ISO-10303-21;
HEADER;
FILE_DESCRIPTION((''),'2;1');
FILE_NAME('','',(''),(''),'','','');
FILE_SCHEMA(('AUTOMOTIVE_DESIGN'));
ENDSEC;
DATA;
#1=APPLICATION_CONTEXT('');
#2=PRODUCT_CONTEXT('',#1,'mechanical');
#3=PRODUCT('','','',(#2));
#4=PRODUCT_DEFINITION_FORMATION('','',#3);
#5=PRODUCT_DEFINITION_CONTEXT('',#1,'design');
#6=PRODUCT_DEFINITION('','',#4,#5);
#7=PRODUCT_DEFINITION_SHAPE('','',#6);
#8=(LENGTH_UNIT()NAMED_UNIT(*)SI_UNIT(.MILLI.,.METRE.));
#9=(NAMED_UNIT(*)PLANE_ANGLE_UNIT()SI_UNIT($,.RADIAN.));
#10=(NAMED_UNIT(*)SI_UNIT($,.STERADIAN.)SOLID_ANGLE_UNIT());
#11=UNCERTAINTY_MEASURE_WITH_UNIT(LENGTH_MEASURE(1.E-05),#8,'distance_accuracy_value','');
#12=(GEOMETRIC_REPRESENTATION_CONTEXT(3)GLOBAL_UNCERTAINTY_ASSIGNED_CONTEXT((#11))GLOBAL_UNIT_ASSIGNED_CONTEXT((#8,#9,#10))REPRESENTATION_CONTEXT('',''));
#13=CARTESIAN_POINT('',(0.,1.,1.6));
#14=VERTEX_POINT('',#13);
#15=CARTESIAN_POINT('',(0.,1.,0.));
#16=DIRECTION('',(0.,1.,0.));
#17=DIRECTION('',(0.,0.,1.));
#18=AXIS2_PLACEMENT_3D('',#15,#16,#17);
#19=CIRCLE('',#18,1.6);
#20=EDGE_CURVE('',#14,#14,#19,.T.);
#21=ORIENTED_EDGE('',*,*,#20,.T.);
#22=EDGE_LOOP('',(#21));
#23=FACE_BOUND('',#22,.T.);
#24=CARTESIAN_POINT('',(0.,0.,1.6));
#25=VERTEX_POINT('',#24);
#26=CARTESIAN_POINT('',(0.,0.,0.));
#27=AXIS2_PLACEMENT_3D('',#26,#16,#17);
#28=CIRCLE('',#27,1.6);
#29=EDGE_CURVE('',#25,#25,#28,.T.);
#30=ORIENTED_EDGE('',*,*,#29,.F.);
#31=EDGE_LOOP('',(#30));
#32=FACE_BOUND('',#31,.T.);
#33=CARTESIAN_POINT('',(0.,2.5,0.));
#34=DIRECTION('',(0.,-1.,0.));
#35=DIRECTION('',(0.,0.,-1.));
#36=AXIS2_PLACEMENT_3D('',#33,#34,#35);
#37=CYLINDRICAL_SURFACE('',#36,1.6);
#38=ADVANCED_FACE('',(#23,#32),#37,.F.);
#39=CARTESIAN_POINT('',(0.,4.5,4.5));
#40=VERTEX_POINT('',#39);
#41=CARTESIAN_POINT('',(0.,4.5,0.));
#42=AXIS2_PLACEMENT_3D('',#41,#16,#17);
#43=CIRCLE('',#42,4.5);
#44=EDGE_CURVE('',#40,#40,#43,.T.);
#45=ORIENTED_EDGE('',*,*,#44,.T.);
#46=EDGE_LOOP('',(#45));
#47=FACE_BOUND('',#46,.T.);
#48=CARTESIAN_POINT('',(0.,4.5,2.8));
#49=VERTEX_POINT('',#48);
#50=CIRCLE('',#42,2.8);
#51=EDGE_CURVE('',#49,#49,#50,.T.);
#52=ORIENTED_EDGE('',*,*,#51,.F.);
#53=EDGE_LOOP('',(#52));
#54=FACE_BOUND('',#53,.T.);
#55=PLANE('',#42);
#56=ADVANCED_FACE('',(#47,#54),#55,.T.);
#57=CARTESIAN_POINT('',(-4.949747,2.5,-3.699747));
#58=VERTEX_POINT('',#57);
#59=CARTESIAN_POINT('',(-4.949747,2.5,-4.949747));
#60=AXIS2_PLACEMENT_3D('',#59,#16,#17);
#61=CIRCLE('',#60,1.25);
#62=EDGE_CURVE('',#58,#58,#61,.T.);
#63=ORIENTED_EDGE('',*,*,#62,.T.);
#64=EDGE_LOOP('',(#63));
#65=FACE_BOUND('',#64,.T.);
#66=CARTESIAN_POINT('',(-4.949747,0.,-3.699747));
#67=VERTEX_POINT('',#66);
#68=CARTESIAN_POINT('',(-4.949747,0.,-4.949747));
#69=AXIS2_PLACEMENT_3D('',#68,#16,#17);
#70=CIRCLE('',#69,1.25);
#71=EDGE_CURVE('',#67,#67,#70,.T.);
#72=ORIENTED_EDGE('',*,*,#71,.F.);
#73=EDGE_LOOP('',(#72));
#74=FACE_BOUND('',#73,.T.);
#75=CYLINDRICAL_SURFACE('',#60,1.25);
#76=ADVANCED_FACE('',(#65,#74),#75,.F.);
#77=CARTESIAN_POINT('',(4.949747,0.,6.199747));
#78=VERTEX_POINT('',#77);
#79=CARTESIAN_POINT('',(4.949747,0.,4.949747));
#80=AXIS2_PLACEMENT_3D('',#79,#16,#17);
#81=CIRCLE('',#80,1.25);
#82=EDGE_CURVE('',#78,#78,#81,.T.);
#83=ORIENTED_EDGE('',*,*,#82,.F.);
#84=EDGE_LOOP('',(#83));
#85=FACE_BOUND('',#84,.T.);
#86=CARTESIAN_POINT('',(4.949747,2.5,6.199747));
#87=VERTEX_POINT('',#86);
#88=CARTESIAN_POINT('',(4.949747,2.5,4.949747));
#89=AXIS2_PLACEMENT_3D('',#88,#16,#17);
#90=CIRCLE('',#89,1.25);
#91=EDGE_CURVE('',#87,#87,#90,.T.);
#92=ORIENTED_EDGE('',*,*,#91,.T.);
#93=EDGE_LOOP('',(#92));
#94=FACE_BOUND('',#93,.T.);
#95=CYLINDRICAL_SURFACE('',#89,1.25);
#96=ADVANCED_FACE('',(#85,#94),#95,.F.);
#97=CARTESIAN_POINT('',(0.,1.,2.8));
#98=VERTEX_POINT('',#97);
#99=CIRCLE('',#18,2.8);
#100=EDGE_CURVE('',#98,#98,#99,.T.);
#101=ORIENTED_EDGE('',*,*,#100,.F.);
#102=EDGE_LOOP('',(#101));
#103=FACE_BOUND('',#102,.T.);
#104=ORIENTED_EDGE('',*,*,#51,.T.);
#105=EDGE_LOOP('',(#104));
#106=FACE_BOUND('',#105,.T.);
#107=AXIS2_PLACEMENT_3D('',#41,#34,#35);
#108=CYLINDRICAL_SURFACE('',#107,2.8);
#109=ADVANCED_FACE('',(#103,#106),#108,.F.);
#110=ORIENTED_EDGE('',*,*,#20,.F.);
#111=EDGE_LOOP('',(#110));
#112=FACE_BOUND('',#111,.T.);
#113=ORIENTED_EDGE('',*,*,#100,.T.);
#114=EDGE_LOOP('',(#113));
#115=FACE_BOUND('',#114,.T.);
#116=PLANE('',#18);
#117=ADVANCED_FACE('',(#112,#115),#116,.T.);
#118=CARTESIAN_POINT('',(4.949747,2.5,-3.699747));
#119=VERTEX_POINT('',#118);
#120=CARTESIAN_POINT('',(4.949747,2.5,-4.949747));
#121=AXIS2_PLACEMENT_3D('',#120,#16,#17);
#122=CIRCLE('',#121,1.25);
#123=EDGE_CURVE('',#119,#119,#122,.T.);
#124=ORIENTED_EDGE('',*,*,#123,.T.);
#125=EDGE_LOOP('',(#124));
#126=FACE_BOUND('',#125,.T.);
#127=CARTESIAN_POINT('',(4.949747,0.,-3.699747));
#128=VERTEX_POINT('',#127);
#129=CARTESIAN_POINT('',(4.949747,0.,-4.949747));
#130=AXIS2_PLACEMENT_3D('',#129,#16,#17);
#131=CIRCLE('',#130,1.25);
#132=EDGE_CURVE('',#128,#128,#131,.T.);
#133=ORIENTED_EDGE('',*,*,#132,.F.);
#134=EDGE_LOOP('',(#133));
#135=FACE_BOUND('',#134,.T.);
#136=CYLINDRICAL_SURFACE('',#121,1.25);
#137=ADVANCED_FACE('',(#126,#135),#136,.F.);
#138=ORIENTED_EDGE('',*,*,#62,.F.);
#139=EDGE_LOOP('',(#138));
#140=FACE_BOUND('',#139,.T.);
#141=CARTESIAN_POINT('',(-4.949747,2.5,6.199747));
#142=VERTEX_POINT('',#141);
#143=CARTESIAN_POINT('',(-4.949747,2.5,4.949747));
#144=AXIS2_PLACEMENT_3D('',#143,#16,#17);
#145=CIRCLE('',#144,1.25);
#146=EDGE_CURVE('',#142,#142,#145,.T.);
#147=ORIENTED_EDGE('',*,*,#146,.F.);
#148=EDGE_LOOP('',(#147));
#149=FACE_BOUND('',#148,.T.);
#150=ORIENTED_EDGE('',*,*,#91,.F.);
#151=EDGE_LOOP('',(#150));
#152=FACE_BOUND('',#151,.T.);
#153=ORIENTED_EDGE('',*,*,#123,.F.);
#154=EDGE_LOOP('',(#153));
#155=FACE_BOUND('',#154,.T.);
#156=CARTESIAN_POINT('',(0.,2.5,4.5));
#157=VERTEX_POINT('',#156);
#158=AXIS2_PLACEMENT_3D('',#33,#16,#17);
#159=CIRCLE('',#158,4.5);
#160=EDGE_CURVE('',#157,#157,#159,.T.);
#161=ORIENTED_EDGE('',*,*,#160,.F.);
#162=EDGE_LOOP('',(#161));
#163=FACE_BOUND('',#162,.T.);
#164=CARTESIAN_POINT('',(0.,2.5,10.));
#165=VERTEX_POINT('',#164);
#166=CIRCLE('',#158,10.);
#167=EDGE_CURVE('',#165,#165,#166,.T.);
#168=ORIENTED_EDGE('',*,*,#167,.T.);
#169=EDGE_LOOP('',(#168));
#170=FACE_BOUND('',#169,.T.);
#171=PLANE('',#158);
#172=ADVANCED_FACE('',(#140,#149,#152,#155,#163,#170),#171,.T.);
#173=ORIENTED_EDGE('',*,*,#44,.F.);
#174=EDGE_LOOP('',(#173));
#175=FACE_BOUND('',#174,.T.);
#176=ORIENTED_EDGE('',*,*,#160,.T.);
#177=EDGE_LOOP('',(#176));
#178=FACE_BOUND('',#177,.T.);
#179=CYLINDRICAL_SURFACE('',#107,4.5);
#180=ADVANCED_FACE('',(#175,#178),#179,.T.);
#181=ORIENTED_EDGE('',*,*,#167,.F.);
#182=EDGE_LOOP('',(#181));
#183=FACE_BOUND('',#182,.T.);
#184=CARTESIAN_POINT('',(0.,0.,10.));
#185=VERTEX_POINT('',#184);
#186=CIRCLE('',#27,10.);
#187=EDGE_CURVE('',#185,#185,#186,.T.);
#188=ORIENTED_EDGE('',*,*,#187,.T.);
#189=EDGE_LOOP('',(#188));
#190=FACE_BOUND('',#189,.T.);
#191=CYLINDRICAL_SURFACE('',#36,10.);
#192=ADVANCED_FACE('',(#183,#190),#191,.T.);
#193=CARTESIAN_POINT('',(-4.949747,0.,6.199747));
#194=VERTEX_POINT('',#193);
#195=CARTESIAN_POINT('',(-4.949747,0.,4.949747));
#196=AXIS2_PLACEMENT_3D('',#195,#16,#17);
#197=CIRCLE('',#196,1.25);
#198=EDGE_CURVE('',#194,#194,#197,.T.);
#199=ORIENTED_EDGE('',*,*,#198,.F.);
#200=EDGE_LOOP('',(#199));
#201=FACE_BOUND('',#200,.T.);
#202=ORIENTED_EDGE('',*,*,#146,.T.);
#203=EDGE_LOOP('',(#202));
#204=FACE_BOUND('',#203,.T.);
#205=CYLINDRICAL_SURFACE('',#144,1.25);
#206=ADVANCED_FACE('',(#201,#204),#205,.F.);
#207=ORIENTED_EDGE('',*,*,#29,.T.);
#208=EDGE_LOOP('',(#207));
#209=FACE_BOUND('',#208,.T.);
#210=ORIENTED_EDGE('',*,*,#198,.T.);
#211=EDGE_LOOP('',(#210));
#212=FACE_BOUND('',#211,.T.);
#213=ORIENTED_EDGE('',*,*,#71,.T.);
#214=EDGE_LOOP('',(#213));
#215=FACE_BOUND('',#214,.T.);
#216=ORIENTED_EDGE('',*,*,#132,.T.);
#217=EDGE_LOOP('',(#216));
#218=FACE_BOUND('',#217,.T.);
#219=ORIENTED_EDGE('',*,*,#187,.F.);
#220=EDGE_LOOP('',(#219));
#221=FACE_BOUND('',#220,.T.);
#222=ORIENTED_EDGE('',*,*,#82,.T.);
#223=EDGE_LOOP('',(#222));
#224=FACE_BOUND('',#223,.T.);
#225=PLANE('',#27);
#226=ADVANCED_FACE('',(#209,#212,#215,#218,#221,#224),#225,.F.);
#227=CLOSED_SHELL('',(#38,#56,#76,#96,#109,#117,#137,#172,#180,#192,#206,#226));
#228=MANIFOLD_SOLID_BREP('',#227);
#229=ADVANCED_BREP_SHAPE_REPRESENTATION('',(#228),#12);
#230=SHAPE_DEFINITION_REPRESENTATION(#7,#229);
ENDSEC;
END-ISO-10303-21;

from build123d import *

# Parameters (mm, degrees)
ESQUISSE1_R                               = 10
ESQUISSE1_R_2                             = 1.6
BOSS_EXTRU_1_DEPTH                        = 2.5
ESQUISSE2_R                               = 4.5
ESQUISSE2_R_2                             = 2.8
BOSS_EXTRU_2_DEPTH                        = 2
TROU_POUR_TARAUDAGE_POUR_TROU_TARAUD_M3_D = 2.5
ENL_V_START                               = -1.5
ESQUISSE5_R                               = 2.8
ESQUISSE5_R_2                             = 1.6
ENL_V_MAT_EXTRU_1_DEPTH                   = 1.5


with BuildPart() as part:
    # Esquisse1 → Boss.-Extru.1 (new body)
    with BuildSketch(Plane(origin=(0, 0, 0), x_dir=(1, 0, 0), z_dir=(0, 1, 0))):
        with Locations(Location((0, 0, 0), (0, 0, 270))):
            Circle(ESQUISSE1_R)
        with Locations(Location((0, 0, 0), (0, 0, 270))):
            Circle(ESQUISSE1_R_2, mode=Mode.SUBTRACT)
    extrude(amount=BOSS_EXTRU_1_DEPTH)

    # Esquisse2 → Boss.-Extru.2 (add)
    with BuildSketch(Plane(origin=(0, 2.5, 0), x_dir=(1, 0, 0), z_dir=(0, 1, 0))):
        with Locations(Location((0, 0, 0), (0, 0, 270))):
            Circle(ESQUISSE2_R)
        with Locations(Location((0, 0, 0), (0, 0, 270))):
            Circle(ESQUISSE2_R_2, mode=Mode.SUBTRACT)
    extrude(amount=BOSS_EXTRU_2_DEPTH)

    # Trou pour taraudage pour trou taraudé M31 (through all)
    with Locations(Plane(origin=(0, 2.5, 0), x_dir=(1, 0, 0), z_dir=(0, 1, 0))):
        with Locations((4.949747468, -4.949747468), (-4.949747468, -4.949747468), (-4.949747468, 4.949747468), (4.949747468, 4.949747468)):
            Hole(TROU_POUR_TARAUDAGE_POUR_TROU_TARAUD_M3_D / 2)

    # Esquisse5 → Enlèv. mat.-Extru.1 (cut)
    with BuildSketch(Plane(origin=(0, 2.5, 0), x_dir=(1, 0, 0), z_dir=(0, 1, 0)).offset(ENL_V_START)):
        with Locations(Location((0, 0, 0), (0, 0, 270))):
            Circle(ESQUISSE5_R)
        with Locations(Location((0, 0, 0), (0, 0, 270))):
            Circle(ESQUISSE5_R_2, mode=Mode.SUBTRACT)
    extrude(amount=ENL_V_MAT_EXTRU_1_DEPTH, mode=Mode.SUBTRACT)


solid = part.part
